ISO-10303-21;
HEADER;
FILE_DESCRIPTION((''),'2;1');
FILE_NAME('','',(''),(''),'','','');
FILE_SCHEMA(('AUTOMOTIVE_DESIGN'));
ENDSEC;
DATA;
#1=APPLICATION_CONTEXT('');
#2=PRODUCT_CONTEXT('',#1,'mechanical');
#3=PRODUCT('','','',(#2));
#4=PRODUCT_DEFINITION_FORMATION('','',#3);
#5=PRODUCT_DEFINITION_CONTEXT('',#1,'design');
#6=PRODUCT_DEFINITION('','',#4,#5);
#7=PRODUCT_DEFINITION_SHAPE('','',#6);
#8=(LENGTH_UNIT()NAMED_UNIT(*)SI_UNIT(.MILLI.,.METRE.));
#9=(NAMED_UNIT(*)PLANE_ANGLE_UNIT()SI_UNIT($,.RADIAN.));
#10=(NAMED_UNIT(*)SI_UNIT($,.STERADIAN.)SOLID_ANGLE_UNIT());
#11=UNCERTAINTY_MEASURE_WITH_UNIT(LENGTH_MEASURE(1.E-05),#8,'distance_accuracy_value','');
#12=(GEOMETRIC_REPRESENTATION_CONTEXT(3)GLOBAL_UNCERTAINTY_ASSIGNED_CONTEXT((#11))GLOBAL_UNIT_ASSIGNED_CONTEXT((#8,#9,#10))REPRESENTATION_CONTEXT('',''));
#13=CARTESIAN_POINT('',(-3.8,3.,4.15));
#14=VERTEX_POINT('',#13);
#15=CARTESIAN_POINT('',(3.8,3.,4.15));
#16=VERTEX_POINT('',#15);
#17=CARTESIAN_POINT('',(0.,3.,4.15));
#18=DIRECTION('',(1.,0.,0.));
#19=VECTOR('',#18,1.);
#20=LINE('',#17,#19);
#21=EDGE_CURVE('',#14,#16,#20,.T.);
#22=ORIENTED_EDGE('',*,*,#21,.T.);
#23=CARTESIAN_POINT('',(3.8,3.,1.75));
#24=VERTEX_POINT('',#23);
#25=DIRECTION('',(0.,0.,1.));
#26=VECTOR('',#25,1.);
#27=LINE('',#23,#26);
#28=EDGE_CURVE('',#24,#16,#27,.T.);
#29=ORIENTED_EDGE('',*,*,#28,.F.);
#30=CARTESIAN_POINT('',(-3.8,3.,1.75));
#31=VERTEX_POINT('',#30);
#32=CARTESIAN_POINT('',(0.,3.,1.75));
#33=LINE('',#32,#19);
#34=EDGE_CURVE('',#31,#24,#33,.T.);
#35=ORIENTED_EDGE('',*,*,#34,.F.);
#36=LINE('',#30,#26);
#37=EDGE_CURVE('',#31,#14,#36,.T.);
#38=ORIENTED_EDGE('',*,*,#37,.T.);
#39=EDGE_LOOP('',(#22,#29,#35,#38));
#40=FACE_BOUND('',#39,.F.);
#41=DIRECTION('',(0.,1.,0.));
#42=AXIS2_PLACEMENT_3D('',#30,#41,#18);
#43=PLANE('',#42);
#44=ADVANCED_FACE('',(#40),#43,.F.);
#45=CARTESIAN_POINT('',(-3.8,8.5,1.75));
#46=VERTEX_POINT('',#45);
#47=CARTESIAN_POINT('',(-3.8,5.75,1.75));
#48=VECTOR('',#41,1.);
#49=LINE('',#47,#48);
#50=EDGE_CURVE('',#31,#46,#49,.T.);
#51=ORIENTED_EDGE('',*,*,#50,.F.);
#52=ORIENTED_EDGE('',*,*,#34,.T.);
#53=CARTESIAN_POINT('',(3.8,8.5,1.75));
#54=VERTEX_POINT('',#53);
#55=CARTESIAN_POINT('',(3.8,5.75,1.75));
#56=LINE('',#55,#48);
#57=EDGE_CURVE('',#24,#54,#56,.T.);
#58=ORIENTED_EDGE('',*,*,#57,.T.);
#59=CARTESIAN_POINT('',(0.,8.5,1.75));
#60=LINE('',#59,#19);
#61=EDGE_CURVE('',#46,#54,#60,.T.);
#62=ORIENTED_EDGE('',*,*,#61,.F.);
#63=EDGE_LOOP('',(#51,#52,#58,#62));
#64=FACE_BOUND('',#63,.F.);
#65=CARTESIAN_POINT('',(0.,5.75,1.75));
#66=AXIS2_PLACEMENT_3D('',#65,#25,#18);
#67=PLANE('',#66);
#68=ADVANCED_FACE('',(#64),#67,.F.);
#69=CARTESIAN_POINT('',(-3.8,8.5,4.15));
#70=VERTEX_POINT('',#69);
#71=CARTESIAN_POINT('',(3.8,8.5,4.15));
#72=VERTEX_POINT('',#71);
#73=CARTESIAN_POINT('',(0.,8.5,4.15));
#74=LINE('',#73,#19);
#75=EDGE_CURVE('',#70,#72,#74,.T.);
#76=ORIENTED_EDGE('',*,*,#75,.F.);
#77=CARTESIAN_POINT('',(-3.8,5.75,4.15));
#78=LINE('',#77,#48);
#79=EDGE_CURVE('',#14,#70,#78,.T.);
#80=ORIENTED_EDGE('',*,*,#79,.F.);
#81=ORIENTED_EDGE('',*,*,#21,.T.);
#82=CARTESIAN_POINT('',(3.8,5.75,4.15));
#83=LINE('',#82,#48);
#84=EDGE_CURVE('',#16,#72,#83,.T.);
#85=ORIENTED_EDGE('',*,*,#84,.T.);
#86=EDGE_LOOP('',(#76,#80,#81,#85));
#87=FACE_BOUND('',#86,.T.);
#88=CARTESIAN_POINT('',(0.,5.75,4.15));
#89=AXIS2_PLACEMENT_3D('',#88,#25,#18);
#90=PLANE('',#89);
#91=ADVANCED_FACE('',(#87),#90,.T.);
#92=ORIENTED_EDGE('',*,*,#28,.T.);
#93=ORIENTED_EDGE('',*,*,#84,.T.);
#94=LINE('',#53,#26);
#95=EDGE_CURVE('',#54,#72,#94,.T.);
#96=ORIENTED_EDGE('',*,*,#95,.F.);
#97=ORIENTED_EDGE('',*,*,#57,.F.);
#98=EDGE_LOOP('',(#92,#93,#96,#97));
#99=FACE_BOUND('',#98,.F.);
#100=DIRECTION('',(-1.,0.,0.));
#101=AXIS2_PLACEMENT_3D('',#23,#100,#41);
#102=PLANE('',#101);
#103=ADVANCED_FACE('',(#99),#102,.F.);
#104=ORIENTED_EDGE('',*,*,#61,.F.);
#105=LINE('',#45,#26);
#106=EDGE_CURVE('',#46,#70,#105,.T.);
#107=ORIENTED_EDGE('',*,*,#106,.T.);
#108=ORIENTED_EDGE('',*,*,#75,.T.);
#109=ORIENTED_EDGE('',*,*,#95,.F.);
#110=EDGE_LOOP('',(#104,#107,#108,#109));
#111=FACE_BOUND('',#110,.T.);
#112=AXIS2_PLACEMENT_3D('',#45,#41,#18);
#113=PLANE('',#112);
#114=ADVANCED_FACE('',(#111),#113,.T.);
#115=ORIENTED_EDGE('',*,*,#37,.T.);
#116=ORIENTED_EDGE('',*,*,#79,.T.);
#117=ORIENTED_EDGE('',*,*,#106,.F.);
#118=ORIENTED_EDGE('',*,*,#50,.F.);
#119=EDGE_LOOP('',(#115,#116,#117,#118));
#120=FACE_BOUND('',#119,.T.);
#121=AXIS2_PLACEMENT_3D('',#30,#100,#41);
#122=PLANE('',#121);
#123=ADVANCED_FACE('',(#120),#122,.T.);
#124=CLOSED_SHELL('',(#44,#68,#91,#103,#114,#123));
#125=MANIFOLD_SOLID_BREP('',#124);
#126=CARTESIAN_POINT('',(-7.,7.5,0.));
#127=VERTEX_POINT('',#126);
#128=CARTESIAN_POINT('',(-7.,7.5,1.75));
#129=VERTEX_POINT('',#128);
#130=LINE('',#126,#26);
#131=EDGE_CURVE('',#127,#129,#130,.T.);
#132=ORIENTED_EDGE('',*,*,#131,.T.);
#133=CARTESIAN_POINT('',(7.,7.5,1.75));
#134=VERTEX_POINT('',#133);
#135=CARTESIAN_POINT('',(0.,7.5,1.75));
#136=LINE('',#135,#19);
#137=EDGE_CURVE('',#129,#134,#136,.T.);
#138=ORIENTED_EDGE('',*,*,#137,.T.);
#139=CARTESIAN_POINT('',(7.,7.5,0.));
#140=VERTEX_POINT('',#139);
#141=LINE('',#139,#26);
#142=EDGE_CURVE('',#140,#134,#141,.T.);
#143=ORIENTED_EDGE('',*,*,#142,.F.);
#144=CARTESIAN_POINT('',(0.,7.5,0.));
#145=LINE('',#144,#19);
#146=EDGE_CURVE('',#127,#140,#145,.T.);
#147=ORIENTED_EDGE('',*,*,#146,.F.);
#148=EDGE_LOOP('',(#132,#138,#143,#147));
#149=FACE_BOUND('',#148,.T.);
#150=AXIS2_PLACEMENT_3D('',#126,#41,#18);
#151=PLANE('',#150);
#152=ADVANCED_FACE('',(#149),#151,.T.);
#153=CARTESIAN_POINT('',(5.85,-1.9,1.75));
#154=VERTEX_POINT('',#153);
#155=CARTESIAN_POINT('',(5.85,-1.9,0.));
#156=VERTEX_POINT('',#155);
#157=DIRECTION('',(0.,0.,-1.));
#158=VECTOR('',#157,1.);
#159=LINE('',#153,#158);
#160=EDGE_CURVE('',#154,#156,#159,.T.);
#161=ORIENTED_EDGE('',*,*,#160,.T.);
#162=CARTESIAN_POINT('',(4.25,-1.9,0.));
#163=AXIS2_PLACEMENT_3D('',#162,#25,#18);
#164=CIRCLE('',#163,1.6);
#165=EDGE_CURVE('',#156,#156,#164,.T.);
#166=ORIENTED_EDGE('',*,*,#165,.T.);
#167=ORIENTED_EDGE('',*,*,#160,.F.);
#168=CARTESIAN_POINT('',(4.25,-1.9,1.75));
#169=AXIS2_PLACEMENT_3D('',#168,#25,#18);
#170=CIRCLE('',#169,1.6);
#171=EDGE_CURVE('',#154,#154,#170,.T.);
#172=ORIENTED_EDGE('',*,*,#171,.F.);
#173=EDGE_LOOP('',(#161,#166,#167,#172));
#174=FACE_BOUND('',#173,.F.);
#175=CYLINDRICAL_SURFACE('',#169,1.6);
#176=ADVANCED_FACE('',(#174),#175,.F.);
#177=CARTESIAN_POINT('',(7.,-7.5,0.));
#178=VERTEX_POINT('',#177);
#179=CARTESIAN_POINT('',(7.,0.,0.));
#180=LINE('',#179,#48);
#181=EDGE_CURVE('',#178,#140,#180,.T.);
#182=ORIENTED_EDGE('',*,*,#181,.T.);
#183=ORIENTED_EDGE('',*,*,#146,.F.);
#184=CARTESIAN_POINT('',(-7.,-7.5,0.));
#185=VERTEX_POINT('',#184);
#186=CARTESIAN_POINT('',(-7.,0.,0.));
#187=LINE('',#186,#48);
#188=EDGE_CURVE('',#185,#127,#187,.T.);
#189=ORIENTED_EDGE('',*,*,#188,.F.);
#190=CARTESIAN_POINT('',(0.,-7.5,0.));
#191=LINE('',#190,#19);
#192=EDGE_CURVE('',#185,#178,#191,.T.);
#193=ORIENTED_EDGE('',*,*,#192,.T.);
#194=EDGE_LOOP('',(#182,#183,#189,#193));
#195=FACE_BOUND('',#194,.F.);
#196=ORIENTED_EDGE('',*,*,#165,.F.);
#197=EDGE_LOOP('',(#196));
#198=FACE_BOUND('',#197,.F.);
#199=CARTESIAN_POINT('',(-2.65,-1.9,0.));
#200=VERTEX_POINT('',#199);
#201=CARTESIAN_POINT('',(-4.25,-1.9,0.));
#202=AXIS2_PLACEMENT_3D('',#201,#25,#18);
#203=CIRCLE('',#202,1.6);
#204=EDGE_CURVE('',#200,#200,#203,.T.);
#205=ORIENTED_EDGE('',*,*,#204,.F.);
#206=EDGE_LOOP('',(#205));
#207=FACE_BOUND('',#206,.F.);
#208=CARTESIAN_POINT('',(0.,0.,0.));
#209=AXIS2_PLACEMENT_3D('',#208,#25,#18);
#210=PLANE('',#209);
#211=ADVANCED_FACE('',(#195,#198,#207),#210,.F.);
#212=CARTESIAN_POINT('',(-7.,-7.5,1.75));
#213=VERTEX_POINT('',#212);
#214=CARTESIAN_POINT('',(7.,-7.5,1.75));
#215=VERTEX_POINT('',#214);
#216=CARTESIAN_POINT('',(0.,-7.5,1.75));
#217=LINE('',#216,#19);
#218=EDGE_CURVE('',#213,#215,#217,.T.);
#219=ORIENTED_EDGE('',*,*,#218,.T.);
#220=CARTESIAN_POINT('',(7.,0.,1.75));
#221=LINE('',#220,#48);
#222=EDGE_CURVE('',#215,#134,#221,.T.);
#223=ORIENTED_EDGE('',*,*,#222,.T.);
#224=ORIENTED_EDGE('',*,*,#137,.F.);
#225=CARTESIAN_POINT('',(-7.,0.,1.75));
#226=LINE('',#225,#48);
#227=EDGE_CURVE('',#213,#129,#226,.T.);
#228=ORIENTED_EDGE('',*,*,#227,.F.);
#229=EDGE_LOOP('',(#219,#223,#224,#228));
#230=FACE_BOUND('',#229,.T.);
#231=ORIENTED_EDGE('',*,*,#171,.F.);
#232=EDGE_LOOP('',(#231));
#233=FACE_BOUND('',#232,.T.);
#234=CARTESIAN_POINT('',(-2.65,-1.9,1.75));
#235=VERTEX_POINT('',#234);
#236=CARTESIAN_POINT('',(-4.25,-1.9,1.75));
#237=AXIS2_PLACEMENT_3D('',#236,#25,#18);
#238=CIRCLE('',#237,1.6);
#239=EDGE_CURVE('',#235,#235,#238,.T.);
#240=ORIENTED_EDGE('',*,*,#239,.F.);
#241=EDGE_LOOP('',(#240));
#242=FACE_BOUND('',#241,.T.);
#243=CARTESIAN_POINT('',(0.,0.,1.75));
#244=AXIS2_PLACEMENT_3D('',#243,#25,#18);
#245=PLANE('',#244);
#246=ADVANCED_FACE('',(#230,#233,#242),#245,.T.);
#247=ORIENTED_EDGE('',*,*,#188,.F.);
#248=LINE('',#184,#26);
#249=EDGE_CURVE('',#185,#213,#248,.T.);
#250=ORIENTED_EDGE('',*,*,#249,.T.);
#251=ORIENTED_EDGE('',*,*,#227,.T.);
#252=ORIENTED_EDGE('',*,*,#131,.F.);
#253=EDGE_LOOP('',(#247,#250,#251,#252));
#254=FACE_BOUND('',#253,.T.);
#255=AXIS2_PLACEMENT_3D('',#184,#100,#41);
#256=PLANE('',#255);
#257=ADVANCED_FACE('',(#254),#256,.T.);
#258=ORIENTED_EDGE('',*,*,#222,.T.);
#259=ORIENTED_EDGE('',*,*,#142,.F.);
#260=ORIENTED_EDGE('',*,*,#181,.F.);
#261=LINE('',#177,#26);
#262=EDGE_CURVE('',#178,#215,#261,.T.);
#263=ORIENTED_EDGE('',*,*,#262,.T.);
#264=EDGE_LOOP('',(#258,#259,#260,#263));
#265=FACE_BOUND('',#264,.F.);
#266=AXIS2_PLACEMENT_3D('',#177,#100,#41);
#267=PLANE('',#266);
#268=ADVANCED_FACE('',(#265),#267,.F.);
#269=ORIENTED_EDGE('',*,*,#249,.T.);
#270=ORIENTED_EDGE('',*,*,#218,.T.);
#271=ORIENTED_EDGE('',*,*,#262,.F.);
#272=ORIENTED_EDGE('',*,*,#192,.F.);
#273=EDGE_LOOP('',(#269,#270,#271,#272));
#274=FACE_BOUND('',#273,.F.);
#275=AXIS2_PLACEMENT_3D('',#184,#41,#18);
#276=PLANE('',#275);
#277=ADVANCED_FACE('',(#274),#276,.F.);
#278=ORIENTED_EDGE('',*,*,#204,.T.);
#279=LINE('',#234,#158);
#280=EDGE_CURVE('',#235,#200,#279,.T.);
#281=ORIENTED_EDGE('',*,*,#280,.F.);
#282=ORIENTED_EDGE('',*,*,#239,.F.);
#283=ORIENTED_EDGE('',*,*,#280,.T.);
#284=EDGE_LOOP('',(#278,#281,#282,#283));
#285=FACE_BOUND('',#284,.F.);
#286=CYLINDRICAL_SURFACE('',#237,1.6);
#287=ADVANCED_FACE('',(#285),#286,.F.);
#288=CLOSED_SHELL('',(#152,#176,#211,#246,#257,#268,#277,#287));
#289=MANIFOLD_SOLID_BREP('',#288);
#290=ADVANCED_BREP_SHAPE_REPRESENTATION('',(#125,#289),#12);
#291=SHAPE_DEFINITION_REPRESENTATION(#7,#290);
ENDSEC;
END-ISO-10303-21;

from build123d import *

# Parameters (mm, degrees)
SKETCH_W     = 14
SKETCH_H     = 15
PAD_DEPTH    = 1.75
SKETCH002_R  = 1.6
POCKET_DEPTH = 5
SKETCH001_W  = 7.6
SKETCH001_H  = 5.5
PAD001_DEPTH = 2.4


with BuildPart() as body:
    # Sketch → Pad (new body)
    with BuildSketch(Plane.XY):
        Rectangle(SKETCH_W, SKETCH_H)
    extrude(amount=PAD_DEPTH)

    # Sketch002 (on Face6 of Pad) → Pocket (cut)
    with BuildSketch(Plane.XY.offset(1.75)):
        with Locations((-4.25, -1.9)):
            Circle(SKETCH002_R)
        with Locations((4.25, -1.9)):
            Circle(SKETCH002_R)
    extrude(amount=-POCKET_DEPTH, mode=Mode.SUBTRACT)


with BuildPart() as body001:
    # Sketch001 (on Face1 of CopyPad) → Pad001 (new body)
    with BuildSketch(Plane.XY.offset(1.75)):
        with Locations((0, 5.75)):
            Rectangle(SKETCH001_W, SKETCH001_H)
    extrude(amount=PAD001_DEPTH)


solid = Compound([body.part, body001.part])
